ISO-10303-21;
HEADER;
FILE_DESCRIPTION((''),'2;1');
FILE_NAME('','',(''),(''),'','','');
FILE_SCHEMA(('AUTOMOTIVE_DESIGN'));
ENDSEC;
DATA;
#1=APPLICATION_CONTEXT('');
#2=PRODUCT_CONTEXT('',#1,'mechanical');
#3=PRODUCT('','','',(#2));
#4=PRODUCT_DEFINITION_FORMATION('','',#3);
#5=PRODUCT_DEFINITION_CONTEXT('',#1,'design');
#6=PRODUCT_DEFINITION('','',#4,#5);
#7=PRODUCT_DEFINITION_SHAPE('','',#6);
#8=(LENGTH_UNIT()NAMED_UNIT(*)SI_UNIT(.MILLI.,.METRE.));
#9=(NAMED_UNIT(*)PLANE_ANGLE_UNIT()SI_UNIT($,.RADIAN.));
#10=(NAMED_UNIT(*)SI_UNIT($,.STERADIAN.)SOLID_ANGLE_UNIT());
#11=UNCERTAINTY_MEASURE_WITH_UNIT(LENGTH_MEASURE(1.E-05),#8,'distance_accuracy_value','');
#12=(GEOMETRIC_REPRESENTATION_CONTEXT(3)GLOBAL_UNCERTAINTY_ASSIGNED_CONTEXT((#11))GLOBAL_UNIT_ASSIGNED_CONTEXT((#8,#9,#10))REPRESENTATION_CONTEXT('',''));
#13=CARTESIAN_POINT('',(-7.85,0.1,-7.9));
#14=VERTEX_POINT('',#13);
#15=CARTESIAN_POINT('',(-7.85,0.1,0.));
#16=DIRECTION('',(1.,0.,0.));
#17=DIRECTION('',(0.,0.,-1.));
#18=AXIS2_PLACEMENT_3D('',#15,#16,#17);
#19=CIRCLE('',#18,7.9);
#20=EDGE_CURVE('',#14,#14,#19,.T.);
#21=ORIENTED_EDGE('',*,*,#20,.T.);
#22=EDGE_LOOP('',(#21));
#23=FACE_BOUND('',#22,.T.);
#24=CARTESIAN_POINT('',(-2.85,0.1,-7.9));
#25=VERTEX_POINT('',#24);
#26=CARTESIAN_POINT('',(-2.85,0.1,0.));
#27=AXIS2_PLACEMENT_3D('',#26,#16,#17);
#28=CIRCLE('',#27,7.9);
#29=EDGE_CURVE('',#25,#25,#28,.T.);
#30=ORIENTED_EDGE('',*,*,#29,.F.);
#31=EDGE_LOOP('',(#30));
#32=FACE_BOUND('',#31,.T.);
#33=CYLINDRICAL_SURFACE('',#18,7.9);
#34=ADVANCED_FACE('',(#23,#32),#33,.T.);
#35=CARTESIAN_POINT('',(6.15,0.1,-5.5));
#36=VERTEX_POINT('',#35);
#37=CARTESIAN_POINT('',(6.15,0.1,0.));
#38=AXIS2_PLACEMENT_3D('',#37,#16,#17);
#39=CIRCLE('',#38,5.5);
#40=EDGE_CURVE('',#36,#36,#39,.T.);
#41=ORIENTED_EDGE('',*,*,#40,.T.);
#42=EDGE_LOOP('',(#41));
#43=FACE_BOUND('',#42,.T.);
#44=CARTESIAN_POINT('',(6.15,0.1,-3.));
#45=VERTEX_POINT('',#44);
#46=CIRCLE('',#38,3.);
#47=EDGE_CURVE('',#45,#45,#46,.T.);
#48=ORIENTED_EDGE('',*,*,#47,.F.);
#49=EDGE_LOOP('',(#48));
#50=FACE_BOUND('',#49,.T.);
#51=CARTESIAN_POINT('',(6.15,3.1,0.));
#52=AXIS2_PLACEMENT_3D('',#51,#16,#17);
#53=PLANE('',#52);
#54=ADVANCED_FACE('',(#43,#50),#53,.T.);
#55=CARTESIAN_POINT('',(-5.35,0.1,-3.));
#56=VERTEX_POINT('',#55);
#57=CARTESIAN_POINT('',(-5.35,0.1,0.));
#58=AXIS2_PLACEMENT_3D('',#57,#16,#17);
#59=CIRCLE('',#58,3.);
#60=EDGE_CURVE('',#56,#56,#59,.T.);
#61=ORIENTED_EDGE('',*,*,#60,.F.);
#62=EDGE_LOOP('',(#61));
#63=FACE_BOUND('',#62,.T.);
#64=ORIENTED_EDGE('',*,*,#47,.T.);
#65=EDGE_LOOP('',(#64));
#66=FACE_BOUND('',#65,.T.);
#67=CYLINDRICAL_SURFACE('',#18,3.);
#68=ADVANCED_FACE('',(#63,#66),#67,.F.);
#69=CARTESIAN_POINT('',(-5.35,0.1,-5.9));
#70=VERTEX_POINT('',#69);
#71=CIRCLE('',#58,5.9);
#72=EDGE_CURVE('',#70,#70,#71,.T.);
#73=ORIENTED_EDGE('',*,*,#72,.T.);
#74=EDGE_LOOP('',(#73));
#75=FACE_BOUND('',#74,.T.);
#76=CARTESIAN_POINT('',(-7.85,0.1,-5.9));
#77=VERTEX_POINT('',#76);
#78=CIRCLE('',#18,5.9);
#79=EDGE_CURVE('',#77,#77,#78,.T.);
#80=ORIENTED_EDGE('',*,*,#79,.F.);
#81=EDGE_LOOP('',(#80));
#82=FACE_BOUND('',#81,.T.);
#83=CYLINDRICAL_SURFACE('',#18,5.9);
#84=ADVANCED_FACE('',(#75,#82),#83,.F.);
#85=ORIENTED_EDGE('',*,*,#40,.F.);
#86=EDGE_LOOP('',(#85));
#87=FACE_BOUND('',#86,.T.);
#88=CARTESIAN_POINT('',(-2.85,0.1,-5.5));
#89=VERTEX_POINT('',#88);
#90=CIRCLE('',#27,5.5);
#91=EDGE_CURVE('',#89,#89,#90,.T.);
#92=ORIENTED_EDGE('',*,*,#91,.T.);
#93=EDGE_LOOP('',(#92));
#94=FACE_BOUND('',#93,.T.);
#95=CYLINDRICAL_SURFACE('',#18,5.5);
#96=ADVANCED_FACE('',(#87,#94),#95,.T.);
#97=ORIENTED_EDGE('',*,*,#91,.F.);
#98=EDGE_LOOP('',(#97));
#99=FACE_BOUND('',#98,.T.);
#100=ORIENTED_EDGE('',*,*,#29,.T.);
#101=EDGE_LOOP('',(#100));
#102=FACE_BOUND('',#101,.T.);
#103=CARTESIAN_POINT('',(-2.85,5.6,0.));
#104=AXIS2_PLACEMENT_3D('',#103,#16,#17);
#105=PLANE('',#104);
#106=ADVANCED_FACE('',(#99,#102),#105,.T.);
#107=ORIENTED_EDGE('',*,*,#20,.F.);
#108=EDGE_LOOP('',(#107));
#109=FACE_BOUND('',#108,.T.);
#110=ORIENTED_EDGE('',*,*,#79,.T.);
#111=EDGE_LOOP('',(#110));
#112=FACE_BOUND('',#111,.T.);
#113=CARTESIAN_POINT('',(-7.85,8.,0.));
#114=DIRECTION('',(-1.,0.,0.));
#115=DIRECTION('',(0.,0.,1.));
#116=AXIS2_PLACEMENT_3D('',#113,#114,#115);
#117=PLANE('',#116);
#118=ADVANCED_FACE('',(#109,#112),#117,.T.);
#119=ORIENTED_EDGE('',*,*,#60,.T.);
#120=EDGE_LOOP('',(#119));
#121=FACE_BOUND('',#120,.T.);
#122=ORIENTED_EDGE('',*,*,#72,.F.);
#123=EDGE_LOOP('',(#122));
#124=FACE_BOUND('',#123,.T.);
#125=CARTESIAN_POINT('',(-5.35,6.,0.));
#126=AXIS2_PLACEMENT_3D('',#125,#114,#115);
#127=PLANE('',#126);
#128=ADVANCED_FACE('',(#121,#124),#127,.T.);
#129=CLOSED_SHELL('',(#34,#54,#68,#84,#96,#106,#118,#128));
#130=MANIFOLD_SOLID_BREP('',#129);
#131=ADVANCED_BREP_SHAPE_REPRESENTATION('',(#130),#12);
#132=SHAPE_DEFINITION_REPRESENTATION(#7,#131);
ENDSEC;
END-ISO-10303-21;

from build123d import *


with BuildPart() as part:
    # Sketch1 → Revolve1 (revolve)
    with BuildSketch(Plane.XY, mode=Mode.PRIVATE) as revolve1_sk:
        Polygon((-2.85, 5.6), (-2.85, 8), (-7.85, 8), (-7.85, 6), (-5.35, 6), (-5.35, 3.1), (6.15, 3.1), (6.15, 5.6), align=None)
    revolve(revolve1_sk.sketch.rotate(Axis((-7.85, 0.1, 0), (1, 0, 0)), 270), axis=Axis((-7.85, 0.1, 0), (1, 0, 0)))


solid = part.part
